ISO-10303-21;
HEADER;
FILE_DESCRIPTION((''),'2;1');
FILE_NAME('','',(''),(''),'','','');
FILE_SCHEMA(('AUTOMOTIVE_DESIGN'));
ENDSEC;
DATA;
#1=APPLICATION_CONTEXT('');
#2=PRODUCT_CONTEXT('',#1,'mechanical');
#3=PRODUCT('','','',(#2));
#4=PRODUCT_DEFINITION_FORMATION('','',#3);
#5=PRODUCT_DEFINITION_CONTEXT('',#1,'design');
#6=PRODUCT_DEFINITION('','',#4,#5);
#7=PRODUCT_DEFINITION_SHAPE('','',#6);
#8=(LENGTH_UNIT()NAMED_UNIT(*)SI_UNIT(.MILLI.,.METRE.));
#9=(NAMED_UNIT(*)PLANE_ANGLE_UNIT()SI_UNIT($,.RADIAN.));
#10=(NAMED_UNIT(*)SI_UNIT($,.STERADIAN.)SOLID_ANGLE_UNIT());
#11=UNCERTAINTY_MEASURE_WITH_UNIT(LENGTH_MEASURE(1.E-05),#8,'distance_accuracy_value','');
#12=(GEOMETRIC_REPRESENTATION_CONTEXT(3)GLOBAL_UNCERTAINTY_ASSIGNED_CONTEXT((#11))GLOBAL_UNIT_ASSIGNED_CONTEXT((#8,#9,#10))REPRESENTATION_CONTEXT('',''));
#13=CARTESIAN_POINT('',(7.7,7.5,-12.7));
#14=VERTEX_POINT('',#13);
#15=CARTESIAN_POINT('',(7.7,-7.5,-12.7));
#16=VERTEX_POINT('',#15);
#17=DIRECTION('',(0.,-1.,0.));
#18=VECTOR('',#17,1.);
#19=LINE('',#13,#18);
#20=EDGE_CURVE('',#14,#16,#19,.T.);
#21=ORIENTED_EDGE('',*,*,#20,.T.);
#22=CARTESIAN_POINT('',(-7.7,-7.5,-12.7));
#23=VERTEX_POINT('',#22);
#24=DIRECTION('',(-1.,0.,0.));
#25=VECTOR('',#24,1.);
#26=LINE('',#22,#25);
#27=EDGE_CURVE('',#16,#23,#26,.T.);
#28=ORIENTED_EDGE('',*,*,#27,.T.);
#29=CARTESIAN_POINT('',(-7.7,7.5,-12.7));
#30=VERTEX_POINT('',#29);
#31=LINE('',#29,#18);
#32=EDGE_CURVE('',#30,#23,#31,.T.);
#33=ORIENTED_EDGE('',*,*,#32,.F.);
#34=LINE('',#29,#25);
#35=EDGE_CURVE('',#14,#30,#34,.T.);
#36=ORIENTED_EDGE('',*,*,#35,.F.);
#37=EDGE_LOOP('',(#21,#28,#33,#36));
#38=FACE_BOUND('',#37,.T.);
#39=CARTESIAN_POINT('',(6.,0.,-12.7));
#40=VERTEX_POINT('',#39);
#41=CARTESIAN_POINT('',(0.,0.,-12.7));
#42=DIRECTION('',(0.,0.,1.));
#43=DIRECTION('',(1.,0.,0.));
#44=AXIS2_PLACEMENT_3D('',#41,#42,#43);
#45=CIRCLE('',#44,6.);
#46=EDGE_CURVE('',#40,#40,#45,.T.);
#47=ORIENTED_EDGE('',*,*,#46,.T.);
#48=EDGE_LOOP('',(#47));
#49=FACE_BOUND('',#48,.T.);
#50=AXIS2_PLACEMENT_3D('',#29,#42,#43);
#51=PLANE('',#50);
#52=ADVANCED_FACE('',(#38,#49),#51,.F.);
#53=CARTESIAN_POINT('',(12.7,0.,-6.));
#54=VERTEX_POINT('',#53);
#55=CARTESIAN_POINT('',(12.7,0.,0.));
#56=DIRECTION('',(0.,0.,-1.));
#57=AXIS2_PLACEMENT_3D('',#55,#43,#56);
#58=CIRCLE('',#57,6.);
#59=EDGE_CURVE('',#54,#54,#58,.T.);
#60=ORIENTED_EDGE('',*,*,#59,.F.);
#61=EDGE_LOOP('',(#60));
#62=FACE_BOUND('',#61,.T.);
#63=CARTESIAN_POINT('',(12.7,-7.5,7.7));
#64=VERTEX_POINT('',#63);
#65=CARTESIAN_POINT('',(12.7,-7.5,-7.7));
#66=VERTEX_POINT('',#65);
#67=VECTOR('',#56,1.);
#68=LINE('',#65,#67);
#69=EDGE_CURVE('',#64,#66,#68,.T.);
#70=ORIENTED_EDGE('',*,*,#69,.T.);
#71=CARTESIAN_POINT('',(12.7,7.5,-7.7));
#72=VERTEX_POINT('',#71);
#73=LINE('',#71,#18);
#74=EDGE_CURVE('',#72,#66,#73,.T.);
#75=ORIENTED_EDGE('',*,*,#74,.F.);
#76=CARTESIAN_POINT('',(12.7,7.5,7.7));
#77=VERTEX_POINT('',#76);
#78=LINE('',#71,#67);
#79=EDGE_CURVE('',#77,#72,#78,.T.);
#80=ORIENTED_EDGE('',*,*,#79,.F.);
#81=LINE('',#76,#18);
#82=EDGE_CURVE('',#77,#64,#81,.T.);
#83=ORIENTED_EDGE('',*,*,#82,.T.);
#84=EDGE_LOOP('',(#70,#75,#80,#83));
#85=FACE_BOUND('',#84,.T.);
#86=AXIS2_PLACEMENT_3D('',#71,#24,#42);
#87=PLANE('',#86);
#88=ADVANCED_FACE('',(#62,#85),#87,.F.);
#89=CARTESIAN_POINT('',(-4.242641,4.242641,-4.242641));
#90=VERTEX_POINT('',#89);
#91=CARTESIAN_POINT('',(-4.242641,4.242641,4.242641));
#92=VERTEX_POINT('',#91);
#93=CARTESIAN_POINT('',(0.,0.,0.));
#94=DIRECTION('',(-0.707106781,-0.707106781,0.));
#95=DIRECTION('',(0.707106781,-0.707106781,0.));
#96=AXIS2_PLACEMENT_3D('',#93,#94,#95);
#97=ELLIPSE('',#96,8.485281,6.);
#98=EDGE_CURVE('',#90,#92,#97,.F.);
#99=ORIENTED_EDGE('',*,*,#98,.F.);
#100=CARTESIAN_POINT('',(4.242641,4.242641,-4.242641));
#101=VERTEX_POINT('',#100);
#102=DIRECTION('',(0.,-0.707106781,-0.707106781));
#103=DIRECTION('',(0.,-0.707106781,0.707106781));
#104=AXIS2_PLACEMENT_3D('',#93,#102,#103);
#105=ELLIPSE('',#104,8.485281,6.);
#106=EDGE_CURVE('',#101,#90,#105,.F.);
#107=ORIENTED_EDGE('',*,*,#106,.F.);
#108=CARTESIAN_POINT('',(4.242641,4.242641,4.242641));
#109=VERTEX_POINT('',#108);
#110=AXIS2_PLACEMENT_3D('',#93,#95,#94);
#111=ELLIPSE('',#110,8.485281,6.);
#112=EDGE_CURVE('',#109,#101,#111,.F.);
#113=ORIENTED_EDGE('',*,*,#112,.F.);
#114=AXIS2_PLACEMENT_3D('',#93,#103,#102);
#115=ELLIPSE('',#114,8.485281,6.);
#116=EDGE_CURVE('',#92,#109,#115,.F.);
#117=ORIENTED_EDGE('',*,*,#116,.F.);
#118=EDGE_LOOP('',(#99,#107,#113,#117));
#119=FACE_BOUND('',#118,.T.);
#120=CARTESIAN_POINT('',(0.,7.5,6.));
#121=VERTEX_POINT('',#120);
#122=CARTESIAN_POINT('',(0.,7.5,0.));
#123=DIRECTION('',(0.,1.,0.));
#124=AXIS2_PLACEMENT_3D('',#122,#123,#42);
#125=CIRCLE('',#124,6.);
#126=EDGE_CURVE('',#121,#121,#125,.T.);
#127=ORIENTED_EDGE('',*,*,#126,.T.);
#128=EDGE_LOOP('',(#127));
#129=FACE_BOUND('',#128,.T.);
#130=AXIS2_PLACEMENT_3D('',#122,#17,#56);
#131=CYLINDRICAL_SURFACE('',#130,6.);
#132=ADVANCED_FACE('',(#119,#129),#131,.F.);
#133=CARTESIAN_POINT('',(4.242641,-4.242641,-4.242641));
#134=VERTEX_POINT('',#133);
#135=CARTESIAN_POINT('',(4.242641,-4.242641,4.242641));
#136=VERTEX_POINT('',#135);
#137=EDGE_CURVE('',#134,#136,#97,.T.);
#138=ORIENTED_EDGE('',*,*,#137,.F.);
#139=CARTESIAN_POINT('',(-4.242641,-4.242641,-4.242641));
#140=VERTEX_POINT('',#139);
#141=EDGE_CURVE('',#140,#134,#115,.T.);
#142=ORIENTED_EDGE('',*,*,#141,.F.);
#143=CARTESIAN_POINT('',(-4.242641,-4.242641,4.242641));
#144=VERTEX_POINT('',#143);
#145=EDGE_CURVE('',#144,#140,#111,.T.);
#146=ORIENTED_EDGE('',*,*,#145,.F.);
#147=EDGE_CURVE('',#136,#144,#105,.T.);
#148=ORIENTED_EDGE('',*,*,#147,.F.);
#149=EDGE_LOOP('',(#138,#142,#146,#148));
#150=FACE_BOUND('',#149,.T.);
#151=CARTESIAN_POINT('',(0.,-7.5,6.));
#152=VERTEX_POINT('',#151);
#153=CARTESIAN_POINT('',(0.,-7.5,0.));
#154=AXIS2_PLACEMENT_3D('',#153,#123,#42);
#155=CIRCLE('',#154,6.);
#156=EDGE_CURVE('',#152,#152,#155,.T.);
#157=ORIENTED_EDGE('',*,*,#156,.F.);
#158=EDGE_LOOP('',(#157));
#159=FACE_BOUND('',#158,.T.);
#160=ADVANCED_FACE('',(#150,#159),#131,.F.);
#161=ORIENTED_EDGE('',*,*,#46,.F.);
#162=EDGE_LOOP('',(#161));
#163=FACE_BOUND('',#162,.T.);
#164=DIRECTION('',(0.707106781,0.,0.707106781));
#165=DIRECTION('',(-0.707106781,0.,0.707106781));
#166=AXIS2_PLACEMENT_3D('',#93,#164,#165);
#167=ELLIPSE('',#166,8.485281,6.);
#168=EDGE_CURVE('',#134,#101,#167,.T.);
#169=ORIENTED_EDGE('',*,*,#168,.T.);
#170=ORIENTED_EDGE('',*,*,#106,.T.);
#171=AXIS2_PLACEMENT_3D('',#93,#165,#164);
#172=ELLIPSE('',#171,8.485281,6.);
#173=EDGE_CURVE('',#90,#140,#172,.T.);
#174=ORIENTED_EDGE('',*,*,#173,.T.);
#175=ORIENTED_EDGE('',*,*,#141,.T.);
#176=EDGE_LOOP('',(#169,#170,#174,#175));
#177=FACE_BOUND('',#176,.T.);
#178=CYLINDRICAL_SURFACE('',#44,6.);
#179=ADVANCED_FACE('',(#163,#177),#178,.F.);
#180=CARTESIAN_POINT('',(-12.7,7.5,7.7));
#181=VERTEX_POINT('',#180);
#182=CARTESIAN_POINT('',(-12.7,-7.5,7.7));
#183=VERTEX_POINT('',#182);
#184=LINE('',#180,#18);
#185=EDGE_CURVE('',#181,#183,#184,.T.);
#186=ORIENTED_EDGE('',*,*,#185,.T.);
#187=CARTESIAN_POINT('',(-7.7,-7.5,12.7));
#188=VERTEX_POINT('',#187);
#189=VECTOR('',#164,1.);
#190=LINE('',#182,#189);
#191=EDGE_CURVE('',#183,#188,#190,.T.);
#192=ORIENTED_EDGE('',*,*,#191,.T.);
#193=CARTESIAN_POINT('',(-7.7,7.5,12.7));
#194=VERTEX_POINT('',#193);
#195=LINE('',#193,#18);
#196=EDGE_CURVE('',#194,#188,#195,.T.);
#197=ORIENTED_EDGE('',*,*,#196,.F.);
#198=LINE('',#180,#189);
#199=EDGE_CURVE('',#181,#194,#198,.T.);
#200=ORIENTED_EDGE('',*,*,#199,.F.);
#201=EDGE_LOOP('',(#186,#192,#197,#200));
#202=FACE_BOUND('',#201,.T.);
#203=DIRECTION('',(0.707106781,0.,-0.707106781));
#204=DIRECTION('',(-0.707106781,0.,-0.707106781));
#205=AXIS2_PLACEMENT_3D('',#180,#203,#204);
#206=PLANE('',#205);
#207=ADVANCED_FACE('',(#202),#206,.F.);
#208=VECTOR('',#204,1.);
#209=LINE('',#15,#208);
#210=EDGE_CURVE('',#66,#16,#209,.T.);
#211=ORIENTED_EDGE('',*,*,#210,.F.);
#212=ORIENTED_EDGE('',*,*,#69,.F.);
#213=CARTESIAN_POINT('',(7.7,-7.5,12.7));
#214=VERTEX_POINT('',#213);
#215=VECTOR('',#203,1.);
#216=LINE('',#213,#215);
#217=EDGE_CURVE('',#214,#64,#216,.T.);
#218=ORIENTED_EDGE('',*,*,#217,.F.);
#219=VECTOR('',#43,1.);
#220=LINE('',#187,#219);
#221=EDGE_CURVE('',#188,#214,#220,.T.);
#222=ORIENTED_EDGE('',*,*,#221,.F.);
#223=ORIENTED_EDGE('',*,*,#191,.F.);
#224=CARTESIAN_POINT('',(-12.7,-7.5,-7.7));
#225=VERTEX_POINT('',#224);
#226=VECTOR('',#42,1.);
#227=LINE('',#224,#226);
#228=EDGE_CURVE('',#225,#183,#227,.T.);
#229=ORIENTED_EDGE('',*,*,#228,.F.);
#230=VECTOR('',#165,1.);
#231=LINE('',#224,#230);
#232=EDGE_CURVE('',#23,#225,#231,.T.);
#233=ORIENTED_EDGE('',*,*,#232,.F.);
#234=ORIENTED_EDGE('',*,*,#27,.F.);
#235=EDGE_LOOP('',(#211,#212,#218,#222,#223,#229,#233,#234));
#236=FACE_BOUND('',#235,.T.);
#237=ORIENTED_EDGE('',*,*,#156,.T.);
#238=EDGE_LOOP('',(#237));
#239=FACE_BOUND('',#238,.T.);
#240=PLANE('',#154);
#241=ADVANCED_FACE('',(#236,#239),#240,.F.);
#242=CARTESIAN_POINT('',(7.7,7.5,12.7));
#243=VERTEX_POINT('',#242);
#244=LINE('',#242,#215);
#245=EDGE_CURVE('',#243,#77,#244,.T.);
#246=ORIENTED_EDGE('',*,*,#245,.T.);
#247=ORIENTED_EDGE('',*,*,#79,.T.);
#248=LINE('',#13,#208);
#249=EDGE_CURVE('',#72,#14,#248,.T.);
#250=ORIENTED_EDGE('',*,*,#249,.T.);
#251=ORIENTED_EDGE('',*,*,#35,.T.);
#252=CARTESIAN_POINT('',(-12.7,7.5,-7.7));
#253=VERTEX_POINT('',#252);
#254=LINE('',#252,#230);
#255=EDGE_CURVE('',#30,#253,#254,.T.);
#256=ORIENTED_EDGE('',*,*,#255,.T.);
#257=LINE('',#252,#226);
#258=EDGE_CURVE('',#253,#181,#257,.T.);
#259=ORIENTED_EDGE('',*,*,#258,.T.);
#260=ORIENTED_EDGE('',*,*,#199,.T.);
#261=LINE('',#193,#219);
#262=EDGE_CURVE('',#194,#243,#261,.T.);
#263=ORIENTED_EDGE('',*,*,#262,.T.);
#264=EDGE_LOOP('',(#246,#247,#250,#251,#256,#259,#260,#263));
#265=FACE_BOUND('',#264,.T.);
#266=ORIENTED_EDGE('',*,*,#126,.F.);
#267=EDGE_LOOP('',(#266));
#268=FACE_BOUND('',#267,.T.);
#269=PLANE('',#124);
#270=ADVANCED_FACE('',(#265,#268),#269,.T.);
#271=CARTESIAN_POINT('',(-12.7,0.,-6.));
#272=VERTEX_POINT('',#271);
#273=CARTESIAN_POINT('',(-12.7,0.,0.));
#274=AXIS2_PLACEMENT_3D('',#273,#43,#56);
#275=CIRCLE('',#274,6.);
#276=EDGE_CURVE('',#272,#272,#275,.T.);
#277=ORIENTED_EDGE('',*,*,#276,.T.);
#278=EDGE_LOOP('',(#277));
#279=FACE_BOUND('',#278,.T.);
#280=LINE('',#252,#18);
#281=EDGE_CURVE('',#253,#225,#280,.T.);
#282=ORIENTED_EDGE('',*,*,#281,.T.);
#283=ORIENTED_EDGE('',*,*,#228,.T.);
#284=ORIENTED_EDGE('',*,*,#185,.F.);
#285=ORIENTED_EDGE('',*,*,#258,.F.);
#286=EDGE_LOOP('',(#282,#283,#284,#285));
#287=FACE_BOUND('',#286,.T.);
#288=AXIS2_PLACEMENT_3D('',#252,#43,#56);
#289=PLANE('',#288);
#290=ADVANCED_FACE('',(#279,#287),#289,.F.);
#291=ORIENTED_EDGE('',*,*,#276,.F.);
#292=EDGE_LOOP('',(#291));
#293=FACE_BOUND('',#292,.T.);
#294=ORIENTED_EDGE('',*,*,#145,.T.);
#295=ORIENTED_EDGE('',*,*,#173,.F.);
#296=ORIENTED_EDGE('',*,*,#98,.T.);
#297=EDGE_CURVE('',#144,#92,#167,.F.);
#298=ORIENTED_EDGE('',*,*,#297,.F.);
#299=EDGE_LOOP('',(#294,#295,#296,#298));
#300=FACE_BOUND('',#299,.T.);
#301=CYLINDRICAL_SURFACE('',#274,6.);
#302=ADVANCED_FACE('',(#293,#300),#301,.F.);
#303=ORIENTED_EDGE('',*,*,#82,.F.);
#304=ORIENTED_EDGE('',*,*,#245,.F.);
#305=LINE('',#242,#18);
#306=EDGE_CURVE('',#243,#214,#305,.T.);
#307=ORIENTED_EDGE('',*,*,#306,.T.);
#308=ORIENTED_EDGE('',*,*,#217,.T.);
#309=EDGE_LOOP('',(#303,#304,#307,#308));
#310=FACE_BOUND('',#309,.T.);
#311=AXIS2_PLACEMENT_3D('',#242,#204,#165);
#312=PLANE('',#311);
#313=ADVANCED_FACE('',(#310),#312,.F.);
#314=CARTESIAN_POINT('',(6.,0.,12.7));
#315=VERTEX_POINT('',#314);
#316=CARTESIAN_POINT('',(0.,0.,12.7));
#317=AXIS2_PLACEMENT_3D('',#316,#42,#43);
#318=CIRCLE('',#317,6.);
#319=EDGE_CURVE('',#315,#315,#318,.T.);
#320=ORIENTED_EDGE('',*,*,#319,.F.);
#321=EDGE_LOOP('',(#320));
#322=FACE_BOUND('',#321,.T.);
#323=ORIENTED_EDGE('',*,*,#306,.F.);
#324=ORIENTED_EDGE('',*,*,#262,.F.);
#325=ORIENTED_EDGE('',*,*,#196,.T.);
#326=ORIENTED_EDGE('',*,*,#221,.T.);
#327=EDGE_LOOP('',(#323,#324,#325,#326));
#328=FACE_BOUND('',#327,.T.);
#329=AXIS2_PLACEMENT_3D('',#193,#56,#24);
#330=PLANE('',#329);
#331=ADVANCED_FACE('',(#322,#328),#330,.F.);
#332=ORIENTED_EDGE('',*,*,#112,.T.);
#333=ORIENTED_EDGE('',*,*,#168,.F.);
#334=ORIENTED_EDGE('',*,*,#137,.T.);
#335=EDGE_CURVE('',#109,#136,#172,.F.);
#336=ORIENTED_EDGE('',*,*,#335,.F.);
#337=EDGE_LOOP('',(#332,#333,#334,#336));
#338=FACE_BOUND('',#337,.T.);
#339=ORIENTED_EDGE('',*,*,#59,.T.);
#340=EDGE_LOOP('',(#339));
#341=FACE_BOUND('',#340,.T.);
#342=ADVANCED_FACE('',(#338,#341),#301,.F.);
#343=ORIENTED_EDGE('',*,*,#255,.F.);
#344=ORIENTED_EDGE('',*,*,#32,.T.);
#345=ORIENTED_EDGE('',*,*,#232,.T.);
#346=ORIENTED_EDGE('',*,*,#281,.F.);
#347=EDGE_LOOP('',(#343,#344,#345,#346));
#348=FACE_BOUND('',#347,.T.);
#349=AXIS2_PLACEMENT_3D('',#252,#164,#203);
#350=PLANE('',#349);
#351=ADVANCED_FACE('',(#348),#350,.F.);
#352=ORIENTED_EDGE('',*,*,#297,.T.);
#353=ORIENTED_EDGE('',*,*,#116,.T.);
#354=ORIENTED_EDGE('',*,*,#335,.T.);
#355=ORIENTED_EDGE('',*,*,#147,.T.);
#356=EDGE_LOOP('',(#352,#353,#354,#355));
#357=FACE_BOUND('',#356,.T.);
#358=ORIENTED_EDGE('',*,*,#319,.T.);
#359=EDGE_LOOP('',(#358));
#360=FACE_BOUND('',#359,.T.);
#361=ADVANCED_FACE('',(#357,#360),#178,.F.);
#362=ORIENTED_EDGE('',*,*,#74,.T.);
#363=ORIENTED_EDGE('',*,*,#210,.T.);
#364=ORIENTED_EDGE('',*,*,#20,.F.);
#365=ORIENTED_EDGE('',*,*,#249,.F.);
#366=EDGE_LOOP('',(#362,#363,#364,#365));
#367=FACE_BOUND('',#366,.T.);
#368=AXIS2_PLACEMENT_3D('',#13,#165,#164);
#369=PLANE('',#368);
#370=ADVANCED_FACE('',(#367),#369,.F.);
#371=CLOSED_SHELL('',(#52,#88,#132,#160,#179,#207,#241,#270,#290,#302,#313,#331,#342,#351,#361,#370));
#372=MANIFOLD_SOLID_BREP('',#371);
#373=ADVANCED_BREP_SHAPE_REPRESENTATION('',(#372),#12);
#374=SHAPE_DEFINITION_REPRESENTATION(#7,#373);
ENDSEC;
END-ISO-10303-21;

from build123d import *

# Parameters (mm, degrees)
IZIM2_R                     = 6
Y_KSEKLIK_EKSTR_ZYON1_DEPTH = 7.5
IZIM3_R                     = 6
KES_EKSTR_ZYON1_DEPTH       = 26.4
IZIM4_R                     = 6
KES_EKSTR_ZYON2_DEPTH       = 26.4


with BuildPart() as part:
    # Çizim2 → Yükseklik-Ekstrüzyon1 (new body, symmetric)
    with BuildSketch(Plane(origin=(0, 0, 0), x_dir=(1, 0, 0), z_dir=(0, 1, 0))):
        Polygon((-12.7, -7.7), (-7.7, -12.7), (7.7, -12.7), (12.7, -7.7), (12.7, 7.7), (7.7, 12.7), (-7.7, 12.7), (-12.7, 7.7), align=None)
        Circle(IZIM2_R, mode=Mode.SUBTRACT)
    extrude(amount=Y_KSEKLIK_EKSTR_ZYON1_DEPTH, both=True)

    # Çizim3 → Kes-Ekstrüzyon1 (cut, through all)
    with BuildSketch(Plane.XY.offset(12.7)):
        Circle(IZIM3_R)
    extrude(amount=-KES_EKSTR_ZYON1_DEPTH, mode=Mode.SUBTRACT)

    # Çizim4 → Kes-Ekstrüzyon2 (cut, through all)
    with BuildSketch(Plane(origin=(12.7, 0, 0), x_dir=(0, 0, -1), z_dir=(1, 0, 0))):
        Circle(IZIM4_R)
    extrude(amount=-KES_EKSTR_ZYON2_DEPTH, mode=Mode.SUBTRACT)


solid = part.part
